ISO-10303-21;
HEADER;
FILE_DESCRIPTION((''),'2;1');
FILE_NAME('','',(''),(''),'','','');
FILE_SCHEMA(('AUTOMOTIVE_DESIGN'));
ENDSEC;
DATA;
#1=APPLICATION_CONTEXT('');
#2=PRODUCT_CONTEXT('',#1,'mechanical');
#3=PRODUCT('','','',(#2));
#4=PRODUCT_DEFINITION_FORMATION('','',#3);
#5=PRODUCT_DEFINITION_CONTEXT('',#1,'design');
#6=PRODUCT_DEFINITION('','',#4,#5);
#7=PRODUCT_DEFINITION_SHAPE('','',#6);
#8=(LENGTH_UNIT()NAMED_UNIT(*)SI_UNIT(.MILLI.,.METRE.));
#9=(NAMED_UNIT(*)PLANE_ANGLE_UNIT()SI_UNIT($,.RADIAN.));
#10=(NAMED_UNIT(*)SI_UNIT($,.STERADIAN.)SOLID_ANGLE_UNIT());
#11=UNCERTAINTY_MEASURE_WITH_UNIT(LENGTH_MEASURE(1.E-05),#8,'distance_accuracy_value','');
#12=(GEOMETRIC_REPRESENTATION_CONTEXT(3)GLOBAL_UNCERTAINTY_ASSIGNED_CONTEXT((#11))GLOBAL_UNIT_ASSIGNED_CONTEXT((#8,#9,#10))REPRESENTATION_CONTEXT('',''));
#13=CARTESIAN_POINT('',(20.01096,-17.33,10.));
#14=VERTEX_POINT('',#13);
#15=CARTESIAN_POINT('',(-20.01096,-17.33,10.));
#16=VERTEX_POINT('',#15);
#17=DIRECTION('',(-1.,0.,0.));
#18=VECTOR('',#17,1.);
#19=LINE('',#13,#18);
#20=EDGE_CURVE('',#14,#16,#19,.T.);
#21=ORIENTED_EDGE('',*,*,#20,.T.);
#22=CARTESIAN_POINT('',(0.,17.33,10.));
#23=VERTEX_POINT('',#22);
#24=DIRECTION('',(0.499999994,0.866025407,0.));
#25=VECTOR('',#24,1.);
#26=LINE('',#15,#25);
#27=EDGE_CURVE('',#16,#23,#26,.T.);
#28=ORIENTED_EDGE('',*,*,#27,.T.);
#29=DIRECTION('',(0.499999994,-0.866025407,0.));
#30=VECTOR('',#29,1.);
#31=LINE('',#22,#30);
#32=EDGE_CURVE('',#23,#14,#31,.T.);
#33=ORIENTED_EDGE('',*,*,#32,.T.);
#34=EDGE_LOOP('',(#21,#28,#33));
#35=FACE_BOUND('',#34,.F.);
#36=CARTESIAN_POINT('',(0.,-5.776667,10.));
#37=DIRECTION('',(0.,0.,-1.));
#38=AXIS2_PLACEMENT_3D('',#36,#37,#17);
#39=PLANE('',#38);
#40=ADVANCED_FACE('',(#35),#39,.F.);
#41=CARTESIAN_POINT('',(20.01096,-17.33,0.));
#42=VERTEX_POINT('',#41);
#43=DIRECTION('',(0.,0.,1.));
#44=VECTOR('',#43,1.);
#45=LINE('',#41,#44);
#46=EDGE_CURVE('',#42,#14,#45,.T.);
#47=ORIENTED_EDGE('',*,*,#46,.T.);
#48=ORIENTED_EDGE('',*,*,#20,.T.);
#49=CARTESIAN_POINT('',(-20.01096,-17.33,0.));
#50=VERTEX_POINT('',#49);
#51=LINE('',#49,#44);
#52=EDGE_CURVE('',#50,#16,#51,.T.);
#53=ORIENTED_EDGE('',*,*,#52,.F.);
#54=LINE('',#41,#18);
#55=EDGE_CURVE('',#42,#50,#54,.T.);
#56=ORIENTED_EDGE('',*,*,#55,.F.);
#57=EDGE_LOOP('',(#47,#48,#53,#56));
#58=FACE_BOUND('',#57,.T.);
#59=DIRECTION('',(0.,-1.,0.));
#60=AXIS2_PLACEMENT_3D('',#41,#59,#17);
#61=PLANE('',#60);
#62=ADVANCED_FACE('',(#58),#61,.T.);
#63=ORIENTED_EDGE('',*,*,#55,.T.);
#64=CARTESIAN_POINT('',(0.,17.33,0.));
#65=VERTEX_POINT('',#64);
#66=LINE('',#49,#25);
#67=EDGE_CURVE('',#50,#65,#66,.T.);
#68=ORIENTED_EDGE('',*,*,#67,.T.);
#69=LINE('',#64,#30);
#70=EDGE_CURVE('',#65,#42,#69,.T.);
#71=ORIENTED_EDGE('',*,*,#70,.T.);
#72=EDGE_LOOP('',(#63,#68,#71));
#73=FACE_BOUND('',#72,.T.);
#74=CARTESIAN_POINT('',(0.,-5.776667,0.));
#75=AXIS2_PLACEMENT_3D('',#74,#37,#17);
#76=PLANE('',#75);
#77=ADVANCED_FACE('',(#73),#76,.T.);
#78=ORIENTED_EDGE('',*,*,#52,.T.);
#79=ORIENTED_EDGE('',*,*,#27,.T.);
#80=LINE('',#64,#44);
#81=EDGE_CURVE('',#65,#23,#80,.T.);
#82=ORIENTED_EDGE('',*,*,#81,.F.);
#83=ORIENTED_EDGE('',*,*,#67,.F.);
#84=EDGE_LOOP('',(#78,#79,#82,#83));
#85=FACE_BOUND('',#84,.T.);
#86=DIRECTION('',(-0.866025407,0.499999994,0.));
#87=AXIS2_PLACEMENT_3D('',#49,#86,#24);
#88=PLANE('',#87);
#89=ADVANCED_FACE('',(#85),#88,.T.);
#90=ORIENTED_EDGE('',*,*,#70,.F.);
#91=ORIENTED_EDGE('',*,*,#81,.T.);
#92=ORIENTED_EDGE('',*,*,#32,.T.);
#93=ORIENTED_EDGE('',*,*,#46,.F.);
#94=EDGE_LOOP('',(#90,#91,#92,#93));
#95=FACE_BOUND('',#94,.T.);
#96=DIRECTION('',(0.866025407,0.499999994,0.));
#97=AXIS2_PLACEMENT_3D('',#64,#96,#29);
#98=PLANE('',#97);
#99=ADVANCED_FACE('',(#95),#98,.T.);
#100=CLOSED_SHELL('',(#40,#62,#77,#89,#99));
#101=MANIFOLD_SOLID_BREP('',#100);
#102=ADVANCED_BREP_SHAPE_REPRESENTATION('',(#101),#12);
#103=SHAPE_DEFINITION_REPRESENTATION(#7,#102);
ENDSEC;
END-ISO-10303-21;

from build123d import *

# Parameters (mm, degrees)
PAD_DEPTH = 10


with BuildPart() as part:
    # Sketch → Pad (new body)
    with BuildSketch(Plane.XY):
        Polygon((-20.01096, -17.33), (0, 17.33), (20.01096, -17.33), align=None)
    extrude(amount=PAD_DEPTH)


solid = part.part
